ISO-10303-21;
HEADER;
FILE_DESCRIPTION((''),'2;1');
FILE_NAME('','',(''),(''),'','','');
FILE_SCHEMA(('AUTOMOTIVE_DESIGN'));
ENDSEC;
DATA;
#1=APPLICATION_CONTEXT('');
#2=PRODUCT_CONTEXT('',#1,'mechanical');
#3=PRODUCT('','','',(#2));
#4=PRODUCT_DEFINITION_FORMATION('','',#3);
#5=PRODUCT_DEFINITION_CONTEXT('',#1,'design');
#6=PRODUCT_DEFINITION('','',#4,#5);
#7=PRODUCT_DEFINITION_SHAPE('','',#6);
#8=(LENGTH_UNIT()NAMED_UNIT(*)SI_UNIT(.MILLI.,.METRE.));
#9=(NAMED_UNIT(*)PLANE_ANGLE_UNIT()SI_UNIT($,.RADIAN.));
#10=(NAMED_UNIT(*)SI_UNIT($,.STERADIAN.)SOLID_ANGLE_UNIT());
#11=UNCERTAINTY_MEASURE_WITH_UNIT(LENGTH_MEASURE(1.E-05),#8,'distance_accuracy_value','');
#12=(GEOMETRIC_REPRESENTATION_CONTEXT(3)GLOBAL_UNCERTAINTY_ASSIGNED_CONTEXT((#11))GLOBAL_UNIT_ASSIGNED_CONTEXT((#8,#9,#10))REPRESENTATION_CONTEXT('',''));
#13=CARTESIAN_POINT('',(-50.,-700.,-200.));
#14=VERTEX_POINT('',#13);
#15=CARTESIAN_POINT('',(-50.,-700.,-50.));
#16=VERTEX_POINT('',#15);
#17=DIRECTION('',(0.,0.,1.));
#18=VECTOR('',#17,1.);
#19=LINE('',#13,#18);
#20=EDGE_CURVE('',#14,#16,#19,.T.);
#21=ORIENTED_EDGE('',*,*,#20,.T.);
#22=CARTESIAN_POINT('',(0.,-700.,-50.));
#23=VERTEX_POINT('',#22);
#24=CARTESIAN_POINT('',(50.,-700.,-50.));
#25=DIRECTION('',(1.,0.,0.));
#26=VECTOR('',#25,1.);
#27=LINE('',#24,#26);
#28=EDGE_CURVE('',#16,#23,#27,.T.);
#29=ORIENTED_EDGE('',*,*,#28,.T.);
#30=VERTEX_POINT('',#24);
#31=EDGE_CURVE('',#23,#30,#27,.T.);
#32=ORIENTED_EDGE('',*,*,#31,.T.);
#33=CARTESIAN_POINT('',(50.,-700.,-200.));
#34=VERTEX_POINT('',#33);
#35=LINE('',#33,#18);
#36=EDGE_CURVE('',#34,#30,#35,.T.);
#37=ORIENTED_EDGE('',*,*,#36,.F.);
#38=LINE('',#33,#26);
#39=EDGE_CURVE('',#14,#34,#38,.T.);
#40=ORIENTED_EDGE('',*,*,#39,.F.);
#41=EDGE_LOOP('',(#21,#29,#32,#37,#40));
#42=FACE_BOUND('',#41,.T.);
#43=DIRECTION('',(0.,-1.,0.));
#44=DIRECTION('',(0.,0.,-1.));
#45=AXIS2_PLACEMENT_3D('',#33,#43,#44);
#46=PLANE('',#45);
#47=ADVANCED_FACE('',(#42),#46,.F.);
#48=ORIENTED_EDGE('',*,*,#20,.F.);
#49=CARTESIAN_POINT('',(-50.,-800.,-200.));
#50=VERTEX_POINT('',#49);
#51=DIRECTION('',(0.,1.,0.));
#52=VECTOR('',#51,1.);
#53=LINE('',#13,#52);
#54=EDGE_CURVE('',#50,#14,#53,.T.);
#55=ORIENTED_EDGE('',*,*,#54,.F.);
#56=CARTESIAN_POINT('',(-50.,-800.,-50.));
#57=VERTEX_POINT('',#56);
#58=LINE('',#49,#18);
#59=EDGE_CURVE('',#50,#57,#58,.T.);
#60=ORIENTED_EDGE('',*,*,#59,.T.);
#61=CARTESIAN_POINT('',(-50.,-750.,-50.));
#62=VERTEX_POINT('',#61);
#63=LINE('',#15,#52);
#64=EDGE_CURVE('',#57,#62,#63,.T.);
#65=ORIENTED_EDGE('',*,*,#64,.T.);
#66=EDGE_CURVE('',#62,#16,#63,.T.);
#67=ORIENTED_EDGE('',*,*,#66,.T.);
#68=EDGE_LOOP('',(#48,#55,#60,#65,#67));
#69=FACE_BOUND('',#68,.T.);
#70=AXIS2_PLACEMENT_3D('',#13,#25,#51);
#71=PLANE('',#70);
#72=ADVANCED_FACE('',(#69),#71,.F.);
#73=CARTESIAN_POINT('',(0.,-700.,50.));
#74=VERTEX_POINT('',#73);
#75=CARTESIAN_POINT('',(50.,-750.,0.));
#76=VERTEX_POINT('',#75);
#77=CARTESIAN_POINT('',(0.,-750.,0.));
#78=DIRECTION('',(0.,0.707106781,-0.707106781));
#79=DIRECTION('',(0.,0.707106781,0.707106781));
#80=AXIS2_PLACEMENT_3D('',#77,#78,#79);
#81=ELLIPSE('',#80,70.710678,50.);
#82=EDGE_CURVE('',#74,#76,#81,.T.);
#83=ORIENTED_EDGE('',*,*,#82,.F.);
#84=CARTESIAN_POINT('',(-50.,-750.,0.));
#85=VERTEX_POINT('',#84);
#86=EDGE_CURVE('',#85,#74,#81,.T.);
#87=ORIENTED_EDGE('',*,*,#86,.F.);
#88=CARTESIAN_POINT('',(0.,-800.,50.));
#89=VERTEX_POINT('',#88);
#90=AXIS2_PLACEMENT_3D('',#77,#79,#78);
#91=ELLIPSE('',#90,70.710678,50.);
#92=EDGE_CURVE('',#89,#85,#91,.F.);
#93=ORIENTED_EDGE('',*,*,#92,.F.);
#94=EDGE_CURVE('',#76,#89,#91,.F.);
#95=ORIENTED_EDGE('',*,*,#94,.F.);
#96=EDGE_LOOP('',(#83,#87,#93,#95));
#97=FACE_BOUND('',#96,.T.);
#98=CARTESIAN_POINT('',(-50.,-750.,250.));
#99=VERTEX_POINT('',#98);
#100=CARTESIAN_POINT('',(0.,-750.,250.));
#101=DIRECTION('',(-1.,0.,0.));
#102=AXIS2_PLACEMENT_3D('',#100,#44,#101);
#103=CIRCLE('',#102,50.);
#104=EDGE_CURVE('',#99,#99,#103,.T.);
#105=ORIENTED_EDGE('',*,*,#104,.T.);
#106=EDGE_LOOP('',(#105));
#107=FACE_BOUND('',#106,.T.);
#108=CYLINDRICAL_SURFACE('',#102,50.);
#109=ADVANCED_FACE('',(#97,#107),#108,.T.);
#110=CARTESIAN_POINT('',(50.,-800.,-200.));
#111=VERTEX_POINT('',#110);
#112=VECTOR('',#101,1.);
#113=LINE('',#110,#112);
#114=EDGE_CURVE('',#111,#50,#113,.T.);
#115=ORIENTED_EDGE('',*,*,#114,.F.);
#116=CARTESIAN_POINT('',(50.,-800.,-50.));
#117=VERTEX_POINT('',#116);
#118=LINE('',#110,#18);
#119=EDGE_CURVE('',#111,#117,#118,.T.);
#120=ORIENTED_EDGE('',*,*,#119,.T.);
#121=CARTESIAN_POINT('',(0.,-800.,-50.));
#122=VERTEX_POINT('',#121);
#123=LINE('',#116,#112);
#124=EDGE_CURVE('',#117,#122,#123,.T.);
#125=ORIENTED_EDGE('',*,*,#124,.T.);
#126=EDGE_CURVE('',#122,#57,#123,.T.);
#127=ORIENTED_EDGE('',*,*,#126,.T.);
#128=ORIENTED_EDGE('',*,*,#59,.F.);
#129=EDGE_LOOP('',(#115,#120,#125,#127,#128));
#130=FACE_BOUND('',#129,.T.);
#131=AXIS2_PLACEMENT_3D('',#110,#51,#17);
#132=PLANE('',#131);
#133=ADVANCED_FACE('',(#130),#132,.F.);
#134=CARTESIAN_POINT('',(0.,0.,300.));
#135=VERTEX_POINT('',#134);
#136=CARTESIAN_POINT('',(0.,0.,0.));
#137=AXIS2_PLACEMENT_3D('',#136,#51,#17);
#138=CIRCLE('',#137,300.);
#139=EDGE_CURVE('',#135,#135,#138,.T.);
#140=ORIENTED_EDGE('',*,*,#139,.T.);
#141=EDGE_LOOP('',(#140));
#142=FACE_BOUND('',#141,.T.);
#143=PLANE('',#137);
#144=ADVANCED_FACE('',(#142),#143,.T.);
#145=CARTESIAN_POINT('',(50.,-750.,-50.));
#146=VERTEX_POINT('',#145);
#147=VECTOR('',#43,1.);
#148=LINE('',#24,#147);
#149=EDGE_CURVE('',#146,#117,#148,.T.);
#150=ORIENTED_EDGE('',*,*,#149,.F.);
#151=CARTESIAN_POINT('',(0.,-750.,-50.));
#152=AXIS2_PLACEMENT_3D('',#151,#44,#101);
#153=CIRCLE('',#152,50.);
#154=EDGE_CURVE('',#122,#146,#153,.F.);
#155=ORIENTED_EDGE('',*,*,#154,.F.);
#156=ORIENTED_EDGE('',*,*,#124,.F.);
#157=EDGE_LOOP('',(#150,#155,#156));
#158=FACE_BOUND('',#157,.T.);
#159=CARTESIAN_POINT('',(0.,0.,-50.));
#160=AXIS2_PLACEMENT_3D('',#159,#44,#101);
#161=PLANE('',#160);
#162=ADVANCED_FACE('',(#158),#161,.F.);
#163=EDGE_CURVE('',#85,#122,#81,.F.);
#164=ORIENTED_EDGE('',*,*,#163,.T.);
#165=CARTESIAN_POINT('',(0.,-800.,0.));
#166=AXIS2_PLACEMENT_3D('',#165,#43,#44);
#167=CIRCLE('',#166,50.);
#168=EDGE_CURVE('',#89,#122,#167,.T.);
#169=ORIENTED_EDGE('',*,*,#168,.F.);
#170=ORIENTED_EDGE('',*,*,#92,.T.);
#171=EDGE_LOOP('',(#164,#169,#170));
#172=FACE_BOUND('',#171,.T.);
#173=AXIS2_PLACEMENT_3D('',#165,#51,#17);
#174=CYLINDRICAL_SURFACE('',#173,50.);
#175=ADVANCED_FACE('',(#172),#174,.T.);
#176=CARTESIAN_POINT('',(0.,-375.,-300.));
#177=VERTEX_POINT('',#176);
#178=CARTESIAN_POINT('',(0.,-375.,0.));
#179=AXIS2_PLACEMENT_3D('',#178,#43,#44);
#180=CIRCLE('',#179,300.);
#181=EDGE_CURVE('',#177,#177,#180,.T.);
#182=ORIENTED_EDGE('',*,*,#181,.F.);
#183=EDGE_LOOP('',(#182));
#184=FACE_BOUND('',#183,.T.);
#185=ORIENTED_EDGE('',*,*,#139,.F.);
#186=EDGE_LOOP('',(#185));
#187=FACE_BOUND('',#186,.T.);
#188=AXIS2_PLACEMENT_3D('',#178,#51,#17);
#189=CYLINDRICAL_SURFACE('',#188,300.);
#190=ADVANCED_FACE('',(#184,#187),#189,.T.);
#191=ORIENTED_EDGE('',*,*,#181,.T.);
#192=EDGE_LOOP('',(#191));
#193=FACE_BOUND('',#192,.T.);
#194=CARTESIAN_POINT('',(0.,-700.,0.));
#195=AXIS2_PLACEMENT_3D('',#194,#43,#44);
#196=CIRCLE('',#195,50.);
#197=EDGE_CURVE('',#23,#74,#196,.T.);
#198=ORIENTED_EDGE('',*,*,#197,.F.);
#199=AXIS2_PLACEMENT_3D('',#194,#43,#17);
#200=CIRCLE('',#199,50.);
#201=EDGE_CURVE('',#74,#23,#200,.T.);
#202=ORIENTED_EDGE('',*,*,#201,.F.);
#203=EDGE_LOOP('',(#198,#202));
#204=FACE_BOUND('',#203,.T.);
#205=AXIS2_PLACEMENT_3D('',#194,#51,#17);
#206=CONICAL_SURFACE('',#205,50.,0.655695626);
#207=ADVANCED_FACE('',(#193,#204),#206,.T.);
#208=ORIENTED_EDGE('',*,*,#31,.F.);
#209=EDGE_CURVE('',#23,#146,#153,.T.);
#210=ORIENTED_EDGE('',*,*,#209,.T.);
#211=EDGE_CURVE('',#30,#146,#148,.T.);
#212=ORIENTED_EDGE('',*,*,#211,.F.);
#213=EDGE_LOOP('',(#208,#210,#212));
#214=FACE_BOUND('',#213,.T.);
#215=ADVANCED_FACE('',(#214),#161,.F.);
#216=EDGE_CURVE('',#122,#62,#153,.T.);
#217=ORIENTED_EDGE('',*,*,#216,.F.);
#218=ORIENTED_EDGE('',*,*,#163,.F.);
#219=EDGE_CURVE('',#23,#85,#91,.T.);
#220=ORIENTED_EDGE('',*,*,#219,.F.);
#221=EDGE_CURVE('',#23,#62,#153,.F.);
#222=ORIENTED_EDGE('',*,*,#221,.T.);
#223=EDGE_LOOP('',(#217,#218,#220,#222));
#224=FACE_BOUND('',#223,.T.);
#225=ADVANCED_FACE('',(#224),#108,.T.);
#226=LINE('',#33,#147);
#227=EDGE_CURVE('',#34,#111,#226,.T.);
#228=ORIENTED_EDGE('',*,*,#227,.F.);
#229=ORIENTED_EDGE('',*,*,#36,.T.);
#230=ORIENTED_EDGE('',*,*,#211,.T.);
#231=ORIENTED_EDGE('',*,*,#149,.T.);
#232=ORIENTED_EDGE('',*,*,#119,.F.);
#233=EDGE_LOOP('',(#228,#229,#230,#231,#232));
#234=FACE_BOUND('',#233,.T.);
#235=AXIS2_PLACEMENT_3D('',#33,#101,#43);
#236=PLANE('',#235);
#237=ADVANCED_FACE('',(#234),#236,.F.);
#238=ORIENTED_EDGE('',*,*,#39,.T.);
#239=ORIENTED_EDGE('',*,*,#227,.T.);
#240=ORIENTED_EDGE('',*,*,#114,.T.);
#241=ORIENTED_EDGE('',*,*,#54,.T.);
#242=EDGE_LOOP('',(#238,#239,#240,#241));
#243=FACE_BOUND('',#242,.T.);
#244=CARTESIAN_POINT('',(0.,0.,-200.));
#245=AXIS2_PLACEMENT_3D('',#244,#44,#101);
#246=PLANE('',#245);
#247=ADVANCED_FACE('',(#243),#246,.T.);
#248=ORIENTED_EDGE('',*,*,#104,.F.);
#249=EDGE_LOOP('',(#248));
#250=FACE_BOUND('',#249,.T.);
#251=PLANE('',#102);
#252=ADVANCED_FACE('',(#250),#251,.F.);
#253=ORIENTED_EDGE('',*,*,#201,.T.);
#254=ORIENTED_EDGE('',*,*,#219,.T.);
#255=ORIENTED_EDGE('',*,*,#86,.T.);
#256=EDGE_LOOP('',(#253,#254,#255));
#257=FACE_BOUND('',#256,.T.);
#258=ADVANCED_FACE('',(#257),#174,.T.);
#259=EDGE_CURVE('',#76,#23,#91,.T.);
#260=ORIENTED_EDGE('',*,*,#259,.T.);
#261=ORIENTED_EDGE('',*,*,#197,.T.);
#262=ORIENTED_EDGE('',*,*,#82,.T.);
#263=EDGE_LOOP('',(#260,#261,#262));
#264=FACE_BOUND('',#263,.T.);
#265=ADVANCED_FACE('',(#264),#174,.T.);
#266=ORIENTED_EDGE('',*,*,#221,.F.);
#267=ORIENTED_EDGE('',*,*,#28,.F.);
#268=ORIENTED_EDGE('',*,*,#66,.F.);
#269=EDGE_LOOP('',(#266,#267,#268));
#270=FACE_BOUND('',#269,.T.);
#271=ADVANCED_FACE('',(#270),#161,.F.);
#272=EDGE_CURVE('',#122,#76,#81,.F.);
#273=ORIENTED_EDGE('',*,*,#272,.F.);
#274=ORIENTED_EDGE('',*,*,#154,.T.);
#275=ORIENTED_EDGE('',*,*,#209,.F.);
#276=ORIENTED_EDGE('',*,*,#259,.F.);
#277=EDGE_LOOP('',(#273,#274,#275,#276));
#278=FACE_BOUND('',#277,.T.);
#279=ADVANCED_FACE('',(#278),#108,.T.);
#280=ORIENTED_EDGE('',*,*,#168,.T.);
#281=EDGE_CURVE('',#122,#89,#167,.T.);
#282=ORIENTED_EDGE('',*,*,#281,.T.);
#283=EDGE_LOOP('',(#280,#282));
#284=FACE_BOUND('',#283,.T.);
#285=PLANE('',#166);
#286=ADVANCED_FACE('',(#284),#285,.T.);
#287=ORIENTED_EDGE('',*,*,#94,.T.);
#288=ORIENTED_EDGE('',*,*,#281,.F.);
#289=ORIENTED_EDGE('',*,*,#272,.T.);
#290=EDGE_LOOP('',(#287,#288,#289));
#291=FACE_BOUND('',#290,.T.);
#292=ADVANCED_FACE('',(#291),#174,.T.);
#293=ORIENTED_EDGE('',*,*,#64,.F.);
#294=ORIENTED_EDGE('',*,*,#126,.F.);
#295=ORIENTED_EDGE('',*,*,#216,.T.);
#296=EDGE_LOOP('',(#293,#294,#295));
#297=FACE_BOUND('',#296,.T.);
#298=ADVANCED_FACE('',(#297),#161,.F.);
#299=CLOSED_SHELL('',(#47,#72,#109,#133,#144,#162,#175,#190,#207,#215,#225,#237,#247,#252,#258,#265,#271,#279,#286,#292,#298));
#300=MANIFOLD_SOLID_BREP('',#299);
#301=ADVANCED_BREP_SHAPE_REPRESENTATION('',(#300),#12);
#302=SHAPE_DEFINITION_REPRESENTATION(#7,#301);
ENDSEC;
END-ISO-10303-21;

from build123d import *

# Parameters (mm, degrees)
CROQUIS1_R              = 300
SALIENTE_EXTRUIR1_DEPTH = 375
CROQUIS3_R              = 50
CROQUIS2_R              = 300
CROQUIS4_R              = 50
SALIENTE_EXTRUIR2_DEPTH = 100
CROQUIS5_R              = 50
SALIENTE_EXTRUIR3_DEPTH = 300
CROQUIS6_W              = 100
CROQUIS6_H              = 100
SALIENTE_EXTRUIR4_DEPTH = 150


with BuildPart() as part:
    # Croquis1 → Saliente-Extruir1 (new body)
    with BuildSketch(Plane(origin=(0, 0, 0), x_dir=(1, 0, 0), z_dir=(0, 1, 0))):
        with Locations(Location((0, 0, 0), (0, 0, 270))):
            Circle(CROQUIS1_R)
    extrude(amount=-SALIENTE_EXTRUIR1_DEPTH)

    # Croquis3 → Recubrir1 section 0
    with BuildSketch(Plane(origin=(0, -700, 0), x_dir=(1, 0, 0), z_dir=(0, 1, 0))):
        Circle(CROQUIS3_R)
    # Croquis2 → Recubrir1 section 1
    with BuildSketch(Plane.XZ.offset(375)):
        Circle(CROQUIS2_R)
    loft()

    # Croquis4 → Saliente-Extruir2 (add)
    with BuildSketch(Plane.XZ.offset(700)):
        with Locations(Location((0, 0, 0), (0, 0, 270))):
            Circle(CROQUIS4_R)
    extrude(amount=SALIENTE_EXTRUIR2_DEPTH)

    # Croquis5 → Saliente-Extruir3 (add)
    with BuildSketch(Plane(origin=(0, 0, -50), x_dir=(-1, 0, 0), z_dir=(0, 0, -1))):
        with Locations((0, -750)):
            Circle(CROQUIS5_R)
    extrude(amount=-SALIENTE_EXTRUIR3_DEPTH)

    # Croquis6 → Saliente-Extruir4 (add)
    with BuildSketch(Plane(origin=(0, 0, -50), x_dir=(-1, 0, 0), z_dir=(0, 0, -1))):
        with Locations((0, -750)):
            Rectangle(CROQUIS6_W, CROQUIS6_H)
    extrude(amount=SALIENTE_EXTRUIR4_DEPTH)


solid = part.part
